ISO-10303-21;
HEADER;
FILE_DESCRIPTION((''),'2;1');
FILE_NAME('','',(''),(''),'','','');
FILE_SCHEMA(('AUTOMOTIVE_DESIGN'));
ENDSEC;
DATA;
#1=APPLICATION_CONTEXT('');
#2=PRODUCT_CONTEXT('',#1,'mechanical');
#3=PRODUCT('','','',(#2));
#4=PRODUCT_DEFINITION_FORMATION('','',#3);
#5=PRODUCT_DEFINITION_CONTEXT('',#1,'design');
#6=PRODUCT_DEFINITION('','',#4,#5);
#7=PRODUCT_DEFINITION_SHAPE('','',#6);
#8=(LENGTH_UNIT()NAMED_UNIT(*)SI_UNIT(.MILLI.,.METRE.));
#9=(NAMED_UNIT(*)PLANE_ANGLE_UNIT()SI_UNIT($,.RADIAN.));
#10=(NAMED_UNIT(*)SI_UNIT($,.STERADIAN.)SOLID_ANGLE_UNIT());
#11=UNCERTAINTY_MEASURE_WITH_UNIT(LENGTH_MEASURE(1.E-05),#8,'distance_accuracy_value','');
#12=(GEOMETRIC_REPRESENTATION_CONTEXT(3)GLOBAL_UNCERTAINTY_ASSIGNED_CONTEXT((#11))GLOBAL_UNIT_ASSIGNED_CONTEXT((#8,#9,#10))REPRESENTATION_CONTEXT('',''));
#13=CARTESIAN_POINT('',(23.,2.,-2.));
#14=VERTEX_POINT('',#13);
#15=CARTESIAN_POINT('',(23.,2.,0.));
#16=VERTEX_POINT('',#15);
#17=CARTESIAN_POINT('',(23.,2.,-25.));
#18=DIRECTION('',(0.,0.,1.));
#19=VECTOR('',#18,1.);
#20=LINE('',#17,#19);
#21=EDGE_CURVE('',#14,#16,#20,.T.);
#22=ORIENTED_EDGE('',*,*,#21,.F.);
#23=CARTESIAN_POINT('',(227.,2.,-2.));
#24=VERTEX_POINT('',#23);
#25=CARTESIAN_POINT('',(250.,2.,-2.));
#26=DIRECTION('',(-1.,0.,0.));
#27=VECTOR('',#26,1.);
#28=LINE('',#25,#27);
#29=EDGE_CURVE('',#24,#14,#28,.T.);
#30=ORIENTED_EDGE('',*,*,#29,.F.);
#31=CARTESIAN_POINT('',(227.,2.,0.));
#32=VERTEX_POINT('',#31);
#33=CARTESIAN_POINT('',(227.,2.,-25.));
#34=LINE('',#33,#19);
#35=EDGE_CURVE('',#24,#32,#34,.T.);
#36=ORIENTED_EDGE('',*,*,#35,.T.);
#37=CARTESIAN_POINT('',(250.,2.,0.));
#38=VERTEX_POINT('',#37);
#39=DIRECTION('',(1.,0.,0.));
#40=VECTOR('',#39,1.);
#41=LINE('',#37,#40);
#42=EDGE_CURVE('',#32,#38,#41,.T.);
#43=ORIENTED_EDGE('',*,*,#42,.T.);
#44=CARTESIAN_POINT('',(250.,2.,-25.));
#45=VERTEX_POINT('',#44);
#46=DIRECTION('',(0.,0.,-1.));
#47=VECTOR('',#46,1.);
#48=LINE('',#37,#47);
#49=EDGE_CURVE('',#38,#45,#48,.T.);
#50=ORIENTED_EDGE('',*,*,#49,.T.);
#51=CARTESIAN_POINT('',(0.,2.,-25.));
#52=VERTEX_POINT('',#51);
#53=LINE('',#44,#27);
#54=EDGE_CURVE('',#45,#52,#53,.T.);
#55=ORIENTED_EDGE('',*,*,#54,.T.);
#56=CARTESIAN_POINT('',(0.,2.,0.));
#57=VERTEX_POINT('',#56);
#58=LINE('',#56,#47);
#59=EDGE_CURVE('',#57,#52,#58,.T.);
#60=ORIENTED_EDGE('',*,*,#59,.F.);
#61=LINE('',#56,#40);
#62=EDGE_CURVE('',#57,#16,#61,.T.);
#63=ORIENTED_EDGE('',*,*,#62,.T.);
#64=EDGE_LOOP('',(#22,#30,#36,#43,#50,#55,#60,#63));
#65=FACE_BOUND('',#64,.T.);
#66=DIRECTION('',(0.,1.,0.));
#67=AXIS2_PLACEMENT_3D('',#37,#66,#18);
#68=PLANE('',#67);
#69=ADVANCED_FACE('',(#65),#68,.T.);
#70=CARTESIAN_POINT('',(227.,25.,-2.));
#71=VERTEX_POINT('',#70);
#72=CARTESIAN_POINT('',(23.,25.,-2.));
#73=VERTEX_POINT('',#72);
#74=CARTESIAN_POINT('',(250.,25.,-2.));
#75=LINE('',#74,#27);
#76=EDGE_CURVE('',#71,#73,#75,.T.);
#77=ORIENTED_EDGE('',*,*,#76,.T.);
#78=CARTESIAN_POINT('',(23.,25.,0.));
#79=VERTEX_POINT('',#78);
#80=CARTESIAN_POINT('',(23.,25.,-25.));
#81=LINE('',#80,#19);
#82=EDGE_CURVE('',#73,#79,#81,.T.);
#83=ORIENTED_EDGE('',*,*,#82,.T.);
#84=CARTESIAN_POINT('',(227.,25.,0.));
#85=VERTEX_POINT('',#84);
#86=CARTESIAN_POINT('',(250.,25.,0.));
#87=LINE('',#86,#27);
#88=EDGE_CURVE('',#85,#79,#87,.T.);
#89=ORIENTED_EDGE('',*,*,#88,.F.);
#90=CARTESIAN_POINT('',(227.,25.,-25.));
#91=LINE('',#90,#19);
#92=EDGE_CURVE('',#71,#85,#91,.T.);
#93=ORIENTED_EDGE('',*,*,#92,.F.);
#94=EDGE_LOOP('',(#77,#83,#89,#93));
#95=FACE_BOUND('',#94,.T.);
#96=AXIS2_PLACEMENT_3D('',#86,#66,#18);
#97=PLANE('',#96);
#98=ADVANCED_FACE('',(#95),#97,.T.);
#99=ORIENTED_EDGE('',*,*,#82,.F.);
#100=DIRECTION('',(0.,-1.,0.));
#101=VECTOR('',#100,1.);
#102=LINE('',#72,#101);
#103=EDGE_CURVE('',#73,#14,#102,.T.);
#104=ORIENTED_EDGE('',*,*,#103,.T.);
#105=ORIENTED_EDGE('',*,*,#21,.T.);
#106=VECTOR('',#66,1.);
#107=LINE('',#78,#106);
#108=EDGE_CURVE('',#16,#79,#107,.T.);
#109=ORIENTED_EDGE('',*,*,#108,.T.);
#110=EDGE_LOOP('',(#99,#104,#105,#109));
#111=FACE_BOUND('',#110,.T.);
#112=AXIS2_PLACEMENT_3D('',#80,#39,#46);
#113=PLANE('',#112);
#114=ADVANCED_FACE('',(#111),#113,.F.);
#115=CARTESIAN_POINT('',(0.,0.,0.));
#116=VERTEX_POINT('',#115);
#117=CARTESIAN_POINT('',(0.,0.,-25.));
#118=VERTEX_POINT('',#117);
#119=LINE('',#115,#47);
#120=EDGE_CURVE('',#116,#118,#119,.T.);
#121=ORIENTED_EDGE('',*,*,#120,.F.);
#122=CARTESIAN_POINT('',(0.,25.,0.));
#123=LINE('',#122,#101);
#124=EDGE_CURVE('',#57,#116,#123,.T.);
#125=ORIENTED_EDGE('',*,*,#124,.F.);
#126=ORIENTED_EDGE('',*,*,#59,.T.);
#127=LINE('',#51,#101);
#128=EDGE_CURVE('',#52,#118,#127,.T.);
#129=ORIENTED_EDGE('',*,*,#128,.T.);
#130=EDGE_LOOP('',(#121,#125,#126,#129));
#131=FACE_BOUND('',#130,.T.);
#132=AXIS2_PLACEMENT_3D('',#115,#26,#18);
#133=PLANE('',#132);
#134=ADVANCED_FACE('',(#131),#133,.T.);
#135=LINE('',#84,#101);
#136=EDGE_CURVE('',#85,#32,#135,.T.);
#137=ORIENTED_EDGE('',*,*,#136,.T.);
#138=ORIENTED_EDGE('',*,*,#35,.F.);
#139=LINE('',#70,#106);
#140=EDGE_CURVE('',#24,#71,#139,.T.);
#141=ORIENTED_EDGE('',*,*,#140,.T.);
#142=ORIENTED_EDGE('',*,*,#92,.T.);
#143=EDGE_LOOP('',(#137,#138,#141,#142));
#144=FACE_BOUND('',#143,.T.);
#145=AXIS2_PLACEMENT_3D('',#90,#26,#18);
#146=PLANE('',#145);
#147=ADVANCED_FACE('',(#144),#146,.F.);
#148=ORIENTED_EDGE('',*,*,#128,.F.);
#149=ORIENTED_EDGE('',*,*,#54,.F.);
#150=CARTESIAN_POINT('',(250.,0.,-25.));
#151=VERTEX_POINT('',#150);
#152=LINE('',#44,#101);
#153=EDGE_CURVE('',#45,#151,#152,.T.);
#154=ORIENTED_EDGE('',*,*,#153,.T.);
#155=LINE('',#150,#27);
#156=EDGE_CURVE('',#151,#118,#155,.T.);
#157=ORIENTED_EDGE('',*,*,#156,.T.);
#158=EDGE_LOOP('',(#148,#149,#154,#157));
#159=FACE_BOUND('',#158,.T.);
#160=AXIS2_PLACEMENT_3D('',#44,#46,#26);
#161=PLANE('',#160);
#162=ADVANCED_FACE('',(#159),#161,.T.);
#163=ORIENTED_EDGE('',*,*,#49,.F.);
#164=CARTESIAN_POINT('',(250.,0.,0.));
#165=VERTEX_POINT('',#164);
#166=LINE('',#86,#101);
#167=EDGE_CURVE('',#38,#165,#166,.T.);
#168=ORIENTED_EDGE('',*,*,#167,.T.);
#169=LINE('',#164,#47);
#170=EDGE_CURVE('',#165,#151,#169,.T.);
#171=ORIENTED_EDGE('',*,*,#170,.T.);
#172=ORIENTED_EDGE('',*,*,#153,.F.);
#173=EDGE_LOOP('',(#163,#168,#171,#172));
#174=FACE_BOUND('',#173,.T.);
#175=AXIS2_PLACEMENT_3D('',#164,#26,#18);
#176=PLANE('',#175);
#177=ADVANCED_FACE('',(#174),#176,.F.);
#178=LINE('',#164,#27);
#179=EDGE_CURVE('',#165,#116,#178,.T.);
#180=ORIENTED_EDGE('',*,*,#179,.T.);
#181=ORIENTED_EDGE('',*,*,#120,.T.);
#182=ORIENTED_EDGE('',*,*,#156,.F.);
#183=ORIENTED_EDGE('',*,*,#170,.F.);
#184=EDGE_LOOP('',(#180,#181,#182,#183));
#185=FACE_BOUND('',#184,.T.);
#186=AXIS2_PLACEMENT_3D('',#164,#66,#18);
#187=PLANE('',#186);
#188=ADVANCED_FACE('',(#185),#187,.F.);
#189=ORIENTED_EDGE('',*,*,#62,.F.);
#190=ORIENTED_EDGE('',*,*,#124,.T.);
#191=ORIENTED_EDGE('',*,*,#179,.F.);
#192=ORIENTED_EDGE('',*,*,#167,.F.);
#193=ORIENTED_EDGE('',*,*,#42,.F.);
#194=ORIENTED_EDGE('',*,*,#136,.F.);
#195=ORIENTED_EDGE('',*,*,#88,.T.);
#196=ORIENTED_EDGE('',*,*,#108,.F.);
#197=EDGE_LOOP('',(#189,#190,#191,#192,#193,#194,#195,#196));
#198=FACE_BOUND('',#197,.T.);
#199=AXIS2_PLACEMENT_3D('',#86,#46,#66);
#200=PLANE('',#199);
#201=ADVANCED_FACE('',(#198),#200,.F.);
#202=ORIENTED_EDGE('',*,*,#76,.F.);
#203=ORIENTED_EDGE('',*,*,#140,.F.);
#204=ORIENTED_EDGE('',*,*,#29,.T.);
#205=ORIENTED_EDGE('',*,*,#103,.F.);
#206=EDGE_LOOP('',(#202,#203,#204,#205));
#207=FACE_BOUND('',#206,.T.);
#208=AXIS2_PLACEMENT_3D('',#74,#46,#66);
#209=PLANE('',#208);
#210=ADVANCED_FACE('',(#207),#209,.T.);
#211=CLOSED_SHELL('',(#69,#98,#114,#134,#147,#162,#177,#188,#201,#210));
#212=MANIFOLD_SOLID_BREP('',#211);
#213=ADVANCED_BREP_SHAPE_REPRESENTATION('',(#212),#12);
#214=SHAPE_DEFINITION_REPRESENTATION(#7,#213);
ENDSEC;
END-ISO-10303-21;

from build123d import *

# Parameters (mm, degrees)
EXTRUDE_1_DEPTH     = 250
SKETCH_2_W          = 23
SKETCH_2_H          = 23
CUT_EXTRUDE_1_DEPTH = 26


with BuildPart() as part:
    # Эскиз1 → Вытянуть-Тонкостенный1 (new body)
    with BuildSketch(Plane(origin=(0, 0, 0), x_dir=(0, 0, -1), z_dir=(1, 0, 0))):
        Polygon((0, 25), (0, 0), (25, 0), (25, 2), (2, 2), (2, 25), align=None)
    extrude(amount=EXTRUDE_1_DEPTH)

    # Эскиз2 → Вырез-Вытянуть1 (cut, through all)
    with BuildSketch(Plane.XY):
        with Locations((238.5, 13.5)):
            Rectangle(SKETCH_2_W, SKETCH_2_H)
        with Locations((11.5, 13.5)):
            Rectangle(SKETCH_2_W, SKETCH_2_H)
    extrude(amount=-CUT_EXTRUDE_1_DEPTH, mode=Mode.SUBTRACT)


solid = part.part
